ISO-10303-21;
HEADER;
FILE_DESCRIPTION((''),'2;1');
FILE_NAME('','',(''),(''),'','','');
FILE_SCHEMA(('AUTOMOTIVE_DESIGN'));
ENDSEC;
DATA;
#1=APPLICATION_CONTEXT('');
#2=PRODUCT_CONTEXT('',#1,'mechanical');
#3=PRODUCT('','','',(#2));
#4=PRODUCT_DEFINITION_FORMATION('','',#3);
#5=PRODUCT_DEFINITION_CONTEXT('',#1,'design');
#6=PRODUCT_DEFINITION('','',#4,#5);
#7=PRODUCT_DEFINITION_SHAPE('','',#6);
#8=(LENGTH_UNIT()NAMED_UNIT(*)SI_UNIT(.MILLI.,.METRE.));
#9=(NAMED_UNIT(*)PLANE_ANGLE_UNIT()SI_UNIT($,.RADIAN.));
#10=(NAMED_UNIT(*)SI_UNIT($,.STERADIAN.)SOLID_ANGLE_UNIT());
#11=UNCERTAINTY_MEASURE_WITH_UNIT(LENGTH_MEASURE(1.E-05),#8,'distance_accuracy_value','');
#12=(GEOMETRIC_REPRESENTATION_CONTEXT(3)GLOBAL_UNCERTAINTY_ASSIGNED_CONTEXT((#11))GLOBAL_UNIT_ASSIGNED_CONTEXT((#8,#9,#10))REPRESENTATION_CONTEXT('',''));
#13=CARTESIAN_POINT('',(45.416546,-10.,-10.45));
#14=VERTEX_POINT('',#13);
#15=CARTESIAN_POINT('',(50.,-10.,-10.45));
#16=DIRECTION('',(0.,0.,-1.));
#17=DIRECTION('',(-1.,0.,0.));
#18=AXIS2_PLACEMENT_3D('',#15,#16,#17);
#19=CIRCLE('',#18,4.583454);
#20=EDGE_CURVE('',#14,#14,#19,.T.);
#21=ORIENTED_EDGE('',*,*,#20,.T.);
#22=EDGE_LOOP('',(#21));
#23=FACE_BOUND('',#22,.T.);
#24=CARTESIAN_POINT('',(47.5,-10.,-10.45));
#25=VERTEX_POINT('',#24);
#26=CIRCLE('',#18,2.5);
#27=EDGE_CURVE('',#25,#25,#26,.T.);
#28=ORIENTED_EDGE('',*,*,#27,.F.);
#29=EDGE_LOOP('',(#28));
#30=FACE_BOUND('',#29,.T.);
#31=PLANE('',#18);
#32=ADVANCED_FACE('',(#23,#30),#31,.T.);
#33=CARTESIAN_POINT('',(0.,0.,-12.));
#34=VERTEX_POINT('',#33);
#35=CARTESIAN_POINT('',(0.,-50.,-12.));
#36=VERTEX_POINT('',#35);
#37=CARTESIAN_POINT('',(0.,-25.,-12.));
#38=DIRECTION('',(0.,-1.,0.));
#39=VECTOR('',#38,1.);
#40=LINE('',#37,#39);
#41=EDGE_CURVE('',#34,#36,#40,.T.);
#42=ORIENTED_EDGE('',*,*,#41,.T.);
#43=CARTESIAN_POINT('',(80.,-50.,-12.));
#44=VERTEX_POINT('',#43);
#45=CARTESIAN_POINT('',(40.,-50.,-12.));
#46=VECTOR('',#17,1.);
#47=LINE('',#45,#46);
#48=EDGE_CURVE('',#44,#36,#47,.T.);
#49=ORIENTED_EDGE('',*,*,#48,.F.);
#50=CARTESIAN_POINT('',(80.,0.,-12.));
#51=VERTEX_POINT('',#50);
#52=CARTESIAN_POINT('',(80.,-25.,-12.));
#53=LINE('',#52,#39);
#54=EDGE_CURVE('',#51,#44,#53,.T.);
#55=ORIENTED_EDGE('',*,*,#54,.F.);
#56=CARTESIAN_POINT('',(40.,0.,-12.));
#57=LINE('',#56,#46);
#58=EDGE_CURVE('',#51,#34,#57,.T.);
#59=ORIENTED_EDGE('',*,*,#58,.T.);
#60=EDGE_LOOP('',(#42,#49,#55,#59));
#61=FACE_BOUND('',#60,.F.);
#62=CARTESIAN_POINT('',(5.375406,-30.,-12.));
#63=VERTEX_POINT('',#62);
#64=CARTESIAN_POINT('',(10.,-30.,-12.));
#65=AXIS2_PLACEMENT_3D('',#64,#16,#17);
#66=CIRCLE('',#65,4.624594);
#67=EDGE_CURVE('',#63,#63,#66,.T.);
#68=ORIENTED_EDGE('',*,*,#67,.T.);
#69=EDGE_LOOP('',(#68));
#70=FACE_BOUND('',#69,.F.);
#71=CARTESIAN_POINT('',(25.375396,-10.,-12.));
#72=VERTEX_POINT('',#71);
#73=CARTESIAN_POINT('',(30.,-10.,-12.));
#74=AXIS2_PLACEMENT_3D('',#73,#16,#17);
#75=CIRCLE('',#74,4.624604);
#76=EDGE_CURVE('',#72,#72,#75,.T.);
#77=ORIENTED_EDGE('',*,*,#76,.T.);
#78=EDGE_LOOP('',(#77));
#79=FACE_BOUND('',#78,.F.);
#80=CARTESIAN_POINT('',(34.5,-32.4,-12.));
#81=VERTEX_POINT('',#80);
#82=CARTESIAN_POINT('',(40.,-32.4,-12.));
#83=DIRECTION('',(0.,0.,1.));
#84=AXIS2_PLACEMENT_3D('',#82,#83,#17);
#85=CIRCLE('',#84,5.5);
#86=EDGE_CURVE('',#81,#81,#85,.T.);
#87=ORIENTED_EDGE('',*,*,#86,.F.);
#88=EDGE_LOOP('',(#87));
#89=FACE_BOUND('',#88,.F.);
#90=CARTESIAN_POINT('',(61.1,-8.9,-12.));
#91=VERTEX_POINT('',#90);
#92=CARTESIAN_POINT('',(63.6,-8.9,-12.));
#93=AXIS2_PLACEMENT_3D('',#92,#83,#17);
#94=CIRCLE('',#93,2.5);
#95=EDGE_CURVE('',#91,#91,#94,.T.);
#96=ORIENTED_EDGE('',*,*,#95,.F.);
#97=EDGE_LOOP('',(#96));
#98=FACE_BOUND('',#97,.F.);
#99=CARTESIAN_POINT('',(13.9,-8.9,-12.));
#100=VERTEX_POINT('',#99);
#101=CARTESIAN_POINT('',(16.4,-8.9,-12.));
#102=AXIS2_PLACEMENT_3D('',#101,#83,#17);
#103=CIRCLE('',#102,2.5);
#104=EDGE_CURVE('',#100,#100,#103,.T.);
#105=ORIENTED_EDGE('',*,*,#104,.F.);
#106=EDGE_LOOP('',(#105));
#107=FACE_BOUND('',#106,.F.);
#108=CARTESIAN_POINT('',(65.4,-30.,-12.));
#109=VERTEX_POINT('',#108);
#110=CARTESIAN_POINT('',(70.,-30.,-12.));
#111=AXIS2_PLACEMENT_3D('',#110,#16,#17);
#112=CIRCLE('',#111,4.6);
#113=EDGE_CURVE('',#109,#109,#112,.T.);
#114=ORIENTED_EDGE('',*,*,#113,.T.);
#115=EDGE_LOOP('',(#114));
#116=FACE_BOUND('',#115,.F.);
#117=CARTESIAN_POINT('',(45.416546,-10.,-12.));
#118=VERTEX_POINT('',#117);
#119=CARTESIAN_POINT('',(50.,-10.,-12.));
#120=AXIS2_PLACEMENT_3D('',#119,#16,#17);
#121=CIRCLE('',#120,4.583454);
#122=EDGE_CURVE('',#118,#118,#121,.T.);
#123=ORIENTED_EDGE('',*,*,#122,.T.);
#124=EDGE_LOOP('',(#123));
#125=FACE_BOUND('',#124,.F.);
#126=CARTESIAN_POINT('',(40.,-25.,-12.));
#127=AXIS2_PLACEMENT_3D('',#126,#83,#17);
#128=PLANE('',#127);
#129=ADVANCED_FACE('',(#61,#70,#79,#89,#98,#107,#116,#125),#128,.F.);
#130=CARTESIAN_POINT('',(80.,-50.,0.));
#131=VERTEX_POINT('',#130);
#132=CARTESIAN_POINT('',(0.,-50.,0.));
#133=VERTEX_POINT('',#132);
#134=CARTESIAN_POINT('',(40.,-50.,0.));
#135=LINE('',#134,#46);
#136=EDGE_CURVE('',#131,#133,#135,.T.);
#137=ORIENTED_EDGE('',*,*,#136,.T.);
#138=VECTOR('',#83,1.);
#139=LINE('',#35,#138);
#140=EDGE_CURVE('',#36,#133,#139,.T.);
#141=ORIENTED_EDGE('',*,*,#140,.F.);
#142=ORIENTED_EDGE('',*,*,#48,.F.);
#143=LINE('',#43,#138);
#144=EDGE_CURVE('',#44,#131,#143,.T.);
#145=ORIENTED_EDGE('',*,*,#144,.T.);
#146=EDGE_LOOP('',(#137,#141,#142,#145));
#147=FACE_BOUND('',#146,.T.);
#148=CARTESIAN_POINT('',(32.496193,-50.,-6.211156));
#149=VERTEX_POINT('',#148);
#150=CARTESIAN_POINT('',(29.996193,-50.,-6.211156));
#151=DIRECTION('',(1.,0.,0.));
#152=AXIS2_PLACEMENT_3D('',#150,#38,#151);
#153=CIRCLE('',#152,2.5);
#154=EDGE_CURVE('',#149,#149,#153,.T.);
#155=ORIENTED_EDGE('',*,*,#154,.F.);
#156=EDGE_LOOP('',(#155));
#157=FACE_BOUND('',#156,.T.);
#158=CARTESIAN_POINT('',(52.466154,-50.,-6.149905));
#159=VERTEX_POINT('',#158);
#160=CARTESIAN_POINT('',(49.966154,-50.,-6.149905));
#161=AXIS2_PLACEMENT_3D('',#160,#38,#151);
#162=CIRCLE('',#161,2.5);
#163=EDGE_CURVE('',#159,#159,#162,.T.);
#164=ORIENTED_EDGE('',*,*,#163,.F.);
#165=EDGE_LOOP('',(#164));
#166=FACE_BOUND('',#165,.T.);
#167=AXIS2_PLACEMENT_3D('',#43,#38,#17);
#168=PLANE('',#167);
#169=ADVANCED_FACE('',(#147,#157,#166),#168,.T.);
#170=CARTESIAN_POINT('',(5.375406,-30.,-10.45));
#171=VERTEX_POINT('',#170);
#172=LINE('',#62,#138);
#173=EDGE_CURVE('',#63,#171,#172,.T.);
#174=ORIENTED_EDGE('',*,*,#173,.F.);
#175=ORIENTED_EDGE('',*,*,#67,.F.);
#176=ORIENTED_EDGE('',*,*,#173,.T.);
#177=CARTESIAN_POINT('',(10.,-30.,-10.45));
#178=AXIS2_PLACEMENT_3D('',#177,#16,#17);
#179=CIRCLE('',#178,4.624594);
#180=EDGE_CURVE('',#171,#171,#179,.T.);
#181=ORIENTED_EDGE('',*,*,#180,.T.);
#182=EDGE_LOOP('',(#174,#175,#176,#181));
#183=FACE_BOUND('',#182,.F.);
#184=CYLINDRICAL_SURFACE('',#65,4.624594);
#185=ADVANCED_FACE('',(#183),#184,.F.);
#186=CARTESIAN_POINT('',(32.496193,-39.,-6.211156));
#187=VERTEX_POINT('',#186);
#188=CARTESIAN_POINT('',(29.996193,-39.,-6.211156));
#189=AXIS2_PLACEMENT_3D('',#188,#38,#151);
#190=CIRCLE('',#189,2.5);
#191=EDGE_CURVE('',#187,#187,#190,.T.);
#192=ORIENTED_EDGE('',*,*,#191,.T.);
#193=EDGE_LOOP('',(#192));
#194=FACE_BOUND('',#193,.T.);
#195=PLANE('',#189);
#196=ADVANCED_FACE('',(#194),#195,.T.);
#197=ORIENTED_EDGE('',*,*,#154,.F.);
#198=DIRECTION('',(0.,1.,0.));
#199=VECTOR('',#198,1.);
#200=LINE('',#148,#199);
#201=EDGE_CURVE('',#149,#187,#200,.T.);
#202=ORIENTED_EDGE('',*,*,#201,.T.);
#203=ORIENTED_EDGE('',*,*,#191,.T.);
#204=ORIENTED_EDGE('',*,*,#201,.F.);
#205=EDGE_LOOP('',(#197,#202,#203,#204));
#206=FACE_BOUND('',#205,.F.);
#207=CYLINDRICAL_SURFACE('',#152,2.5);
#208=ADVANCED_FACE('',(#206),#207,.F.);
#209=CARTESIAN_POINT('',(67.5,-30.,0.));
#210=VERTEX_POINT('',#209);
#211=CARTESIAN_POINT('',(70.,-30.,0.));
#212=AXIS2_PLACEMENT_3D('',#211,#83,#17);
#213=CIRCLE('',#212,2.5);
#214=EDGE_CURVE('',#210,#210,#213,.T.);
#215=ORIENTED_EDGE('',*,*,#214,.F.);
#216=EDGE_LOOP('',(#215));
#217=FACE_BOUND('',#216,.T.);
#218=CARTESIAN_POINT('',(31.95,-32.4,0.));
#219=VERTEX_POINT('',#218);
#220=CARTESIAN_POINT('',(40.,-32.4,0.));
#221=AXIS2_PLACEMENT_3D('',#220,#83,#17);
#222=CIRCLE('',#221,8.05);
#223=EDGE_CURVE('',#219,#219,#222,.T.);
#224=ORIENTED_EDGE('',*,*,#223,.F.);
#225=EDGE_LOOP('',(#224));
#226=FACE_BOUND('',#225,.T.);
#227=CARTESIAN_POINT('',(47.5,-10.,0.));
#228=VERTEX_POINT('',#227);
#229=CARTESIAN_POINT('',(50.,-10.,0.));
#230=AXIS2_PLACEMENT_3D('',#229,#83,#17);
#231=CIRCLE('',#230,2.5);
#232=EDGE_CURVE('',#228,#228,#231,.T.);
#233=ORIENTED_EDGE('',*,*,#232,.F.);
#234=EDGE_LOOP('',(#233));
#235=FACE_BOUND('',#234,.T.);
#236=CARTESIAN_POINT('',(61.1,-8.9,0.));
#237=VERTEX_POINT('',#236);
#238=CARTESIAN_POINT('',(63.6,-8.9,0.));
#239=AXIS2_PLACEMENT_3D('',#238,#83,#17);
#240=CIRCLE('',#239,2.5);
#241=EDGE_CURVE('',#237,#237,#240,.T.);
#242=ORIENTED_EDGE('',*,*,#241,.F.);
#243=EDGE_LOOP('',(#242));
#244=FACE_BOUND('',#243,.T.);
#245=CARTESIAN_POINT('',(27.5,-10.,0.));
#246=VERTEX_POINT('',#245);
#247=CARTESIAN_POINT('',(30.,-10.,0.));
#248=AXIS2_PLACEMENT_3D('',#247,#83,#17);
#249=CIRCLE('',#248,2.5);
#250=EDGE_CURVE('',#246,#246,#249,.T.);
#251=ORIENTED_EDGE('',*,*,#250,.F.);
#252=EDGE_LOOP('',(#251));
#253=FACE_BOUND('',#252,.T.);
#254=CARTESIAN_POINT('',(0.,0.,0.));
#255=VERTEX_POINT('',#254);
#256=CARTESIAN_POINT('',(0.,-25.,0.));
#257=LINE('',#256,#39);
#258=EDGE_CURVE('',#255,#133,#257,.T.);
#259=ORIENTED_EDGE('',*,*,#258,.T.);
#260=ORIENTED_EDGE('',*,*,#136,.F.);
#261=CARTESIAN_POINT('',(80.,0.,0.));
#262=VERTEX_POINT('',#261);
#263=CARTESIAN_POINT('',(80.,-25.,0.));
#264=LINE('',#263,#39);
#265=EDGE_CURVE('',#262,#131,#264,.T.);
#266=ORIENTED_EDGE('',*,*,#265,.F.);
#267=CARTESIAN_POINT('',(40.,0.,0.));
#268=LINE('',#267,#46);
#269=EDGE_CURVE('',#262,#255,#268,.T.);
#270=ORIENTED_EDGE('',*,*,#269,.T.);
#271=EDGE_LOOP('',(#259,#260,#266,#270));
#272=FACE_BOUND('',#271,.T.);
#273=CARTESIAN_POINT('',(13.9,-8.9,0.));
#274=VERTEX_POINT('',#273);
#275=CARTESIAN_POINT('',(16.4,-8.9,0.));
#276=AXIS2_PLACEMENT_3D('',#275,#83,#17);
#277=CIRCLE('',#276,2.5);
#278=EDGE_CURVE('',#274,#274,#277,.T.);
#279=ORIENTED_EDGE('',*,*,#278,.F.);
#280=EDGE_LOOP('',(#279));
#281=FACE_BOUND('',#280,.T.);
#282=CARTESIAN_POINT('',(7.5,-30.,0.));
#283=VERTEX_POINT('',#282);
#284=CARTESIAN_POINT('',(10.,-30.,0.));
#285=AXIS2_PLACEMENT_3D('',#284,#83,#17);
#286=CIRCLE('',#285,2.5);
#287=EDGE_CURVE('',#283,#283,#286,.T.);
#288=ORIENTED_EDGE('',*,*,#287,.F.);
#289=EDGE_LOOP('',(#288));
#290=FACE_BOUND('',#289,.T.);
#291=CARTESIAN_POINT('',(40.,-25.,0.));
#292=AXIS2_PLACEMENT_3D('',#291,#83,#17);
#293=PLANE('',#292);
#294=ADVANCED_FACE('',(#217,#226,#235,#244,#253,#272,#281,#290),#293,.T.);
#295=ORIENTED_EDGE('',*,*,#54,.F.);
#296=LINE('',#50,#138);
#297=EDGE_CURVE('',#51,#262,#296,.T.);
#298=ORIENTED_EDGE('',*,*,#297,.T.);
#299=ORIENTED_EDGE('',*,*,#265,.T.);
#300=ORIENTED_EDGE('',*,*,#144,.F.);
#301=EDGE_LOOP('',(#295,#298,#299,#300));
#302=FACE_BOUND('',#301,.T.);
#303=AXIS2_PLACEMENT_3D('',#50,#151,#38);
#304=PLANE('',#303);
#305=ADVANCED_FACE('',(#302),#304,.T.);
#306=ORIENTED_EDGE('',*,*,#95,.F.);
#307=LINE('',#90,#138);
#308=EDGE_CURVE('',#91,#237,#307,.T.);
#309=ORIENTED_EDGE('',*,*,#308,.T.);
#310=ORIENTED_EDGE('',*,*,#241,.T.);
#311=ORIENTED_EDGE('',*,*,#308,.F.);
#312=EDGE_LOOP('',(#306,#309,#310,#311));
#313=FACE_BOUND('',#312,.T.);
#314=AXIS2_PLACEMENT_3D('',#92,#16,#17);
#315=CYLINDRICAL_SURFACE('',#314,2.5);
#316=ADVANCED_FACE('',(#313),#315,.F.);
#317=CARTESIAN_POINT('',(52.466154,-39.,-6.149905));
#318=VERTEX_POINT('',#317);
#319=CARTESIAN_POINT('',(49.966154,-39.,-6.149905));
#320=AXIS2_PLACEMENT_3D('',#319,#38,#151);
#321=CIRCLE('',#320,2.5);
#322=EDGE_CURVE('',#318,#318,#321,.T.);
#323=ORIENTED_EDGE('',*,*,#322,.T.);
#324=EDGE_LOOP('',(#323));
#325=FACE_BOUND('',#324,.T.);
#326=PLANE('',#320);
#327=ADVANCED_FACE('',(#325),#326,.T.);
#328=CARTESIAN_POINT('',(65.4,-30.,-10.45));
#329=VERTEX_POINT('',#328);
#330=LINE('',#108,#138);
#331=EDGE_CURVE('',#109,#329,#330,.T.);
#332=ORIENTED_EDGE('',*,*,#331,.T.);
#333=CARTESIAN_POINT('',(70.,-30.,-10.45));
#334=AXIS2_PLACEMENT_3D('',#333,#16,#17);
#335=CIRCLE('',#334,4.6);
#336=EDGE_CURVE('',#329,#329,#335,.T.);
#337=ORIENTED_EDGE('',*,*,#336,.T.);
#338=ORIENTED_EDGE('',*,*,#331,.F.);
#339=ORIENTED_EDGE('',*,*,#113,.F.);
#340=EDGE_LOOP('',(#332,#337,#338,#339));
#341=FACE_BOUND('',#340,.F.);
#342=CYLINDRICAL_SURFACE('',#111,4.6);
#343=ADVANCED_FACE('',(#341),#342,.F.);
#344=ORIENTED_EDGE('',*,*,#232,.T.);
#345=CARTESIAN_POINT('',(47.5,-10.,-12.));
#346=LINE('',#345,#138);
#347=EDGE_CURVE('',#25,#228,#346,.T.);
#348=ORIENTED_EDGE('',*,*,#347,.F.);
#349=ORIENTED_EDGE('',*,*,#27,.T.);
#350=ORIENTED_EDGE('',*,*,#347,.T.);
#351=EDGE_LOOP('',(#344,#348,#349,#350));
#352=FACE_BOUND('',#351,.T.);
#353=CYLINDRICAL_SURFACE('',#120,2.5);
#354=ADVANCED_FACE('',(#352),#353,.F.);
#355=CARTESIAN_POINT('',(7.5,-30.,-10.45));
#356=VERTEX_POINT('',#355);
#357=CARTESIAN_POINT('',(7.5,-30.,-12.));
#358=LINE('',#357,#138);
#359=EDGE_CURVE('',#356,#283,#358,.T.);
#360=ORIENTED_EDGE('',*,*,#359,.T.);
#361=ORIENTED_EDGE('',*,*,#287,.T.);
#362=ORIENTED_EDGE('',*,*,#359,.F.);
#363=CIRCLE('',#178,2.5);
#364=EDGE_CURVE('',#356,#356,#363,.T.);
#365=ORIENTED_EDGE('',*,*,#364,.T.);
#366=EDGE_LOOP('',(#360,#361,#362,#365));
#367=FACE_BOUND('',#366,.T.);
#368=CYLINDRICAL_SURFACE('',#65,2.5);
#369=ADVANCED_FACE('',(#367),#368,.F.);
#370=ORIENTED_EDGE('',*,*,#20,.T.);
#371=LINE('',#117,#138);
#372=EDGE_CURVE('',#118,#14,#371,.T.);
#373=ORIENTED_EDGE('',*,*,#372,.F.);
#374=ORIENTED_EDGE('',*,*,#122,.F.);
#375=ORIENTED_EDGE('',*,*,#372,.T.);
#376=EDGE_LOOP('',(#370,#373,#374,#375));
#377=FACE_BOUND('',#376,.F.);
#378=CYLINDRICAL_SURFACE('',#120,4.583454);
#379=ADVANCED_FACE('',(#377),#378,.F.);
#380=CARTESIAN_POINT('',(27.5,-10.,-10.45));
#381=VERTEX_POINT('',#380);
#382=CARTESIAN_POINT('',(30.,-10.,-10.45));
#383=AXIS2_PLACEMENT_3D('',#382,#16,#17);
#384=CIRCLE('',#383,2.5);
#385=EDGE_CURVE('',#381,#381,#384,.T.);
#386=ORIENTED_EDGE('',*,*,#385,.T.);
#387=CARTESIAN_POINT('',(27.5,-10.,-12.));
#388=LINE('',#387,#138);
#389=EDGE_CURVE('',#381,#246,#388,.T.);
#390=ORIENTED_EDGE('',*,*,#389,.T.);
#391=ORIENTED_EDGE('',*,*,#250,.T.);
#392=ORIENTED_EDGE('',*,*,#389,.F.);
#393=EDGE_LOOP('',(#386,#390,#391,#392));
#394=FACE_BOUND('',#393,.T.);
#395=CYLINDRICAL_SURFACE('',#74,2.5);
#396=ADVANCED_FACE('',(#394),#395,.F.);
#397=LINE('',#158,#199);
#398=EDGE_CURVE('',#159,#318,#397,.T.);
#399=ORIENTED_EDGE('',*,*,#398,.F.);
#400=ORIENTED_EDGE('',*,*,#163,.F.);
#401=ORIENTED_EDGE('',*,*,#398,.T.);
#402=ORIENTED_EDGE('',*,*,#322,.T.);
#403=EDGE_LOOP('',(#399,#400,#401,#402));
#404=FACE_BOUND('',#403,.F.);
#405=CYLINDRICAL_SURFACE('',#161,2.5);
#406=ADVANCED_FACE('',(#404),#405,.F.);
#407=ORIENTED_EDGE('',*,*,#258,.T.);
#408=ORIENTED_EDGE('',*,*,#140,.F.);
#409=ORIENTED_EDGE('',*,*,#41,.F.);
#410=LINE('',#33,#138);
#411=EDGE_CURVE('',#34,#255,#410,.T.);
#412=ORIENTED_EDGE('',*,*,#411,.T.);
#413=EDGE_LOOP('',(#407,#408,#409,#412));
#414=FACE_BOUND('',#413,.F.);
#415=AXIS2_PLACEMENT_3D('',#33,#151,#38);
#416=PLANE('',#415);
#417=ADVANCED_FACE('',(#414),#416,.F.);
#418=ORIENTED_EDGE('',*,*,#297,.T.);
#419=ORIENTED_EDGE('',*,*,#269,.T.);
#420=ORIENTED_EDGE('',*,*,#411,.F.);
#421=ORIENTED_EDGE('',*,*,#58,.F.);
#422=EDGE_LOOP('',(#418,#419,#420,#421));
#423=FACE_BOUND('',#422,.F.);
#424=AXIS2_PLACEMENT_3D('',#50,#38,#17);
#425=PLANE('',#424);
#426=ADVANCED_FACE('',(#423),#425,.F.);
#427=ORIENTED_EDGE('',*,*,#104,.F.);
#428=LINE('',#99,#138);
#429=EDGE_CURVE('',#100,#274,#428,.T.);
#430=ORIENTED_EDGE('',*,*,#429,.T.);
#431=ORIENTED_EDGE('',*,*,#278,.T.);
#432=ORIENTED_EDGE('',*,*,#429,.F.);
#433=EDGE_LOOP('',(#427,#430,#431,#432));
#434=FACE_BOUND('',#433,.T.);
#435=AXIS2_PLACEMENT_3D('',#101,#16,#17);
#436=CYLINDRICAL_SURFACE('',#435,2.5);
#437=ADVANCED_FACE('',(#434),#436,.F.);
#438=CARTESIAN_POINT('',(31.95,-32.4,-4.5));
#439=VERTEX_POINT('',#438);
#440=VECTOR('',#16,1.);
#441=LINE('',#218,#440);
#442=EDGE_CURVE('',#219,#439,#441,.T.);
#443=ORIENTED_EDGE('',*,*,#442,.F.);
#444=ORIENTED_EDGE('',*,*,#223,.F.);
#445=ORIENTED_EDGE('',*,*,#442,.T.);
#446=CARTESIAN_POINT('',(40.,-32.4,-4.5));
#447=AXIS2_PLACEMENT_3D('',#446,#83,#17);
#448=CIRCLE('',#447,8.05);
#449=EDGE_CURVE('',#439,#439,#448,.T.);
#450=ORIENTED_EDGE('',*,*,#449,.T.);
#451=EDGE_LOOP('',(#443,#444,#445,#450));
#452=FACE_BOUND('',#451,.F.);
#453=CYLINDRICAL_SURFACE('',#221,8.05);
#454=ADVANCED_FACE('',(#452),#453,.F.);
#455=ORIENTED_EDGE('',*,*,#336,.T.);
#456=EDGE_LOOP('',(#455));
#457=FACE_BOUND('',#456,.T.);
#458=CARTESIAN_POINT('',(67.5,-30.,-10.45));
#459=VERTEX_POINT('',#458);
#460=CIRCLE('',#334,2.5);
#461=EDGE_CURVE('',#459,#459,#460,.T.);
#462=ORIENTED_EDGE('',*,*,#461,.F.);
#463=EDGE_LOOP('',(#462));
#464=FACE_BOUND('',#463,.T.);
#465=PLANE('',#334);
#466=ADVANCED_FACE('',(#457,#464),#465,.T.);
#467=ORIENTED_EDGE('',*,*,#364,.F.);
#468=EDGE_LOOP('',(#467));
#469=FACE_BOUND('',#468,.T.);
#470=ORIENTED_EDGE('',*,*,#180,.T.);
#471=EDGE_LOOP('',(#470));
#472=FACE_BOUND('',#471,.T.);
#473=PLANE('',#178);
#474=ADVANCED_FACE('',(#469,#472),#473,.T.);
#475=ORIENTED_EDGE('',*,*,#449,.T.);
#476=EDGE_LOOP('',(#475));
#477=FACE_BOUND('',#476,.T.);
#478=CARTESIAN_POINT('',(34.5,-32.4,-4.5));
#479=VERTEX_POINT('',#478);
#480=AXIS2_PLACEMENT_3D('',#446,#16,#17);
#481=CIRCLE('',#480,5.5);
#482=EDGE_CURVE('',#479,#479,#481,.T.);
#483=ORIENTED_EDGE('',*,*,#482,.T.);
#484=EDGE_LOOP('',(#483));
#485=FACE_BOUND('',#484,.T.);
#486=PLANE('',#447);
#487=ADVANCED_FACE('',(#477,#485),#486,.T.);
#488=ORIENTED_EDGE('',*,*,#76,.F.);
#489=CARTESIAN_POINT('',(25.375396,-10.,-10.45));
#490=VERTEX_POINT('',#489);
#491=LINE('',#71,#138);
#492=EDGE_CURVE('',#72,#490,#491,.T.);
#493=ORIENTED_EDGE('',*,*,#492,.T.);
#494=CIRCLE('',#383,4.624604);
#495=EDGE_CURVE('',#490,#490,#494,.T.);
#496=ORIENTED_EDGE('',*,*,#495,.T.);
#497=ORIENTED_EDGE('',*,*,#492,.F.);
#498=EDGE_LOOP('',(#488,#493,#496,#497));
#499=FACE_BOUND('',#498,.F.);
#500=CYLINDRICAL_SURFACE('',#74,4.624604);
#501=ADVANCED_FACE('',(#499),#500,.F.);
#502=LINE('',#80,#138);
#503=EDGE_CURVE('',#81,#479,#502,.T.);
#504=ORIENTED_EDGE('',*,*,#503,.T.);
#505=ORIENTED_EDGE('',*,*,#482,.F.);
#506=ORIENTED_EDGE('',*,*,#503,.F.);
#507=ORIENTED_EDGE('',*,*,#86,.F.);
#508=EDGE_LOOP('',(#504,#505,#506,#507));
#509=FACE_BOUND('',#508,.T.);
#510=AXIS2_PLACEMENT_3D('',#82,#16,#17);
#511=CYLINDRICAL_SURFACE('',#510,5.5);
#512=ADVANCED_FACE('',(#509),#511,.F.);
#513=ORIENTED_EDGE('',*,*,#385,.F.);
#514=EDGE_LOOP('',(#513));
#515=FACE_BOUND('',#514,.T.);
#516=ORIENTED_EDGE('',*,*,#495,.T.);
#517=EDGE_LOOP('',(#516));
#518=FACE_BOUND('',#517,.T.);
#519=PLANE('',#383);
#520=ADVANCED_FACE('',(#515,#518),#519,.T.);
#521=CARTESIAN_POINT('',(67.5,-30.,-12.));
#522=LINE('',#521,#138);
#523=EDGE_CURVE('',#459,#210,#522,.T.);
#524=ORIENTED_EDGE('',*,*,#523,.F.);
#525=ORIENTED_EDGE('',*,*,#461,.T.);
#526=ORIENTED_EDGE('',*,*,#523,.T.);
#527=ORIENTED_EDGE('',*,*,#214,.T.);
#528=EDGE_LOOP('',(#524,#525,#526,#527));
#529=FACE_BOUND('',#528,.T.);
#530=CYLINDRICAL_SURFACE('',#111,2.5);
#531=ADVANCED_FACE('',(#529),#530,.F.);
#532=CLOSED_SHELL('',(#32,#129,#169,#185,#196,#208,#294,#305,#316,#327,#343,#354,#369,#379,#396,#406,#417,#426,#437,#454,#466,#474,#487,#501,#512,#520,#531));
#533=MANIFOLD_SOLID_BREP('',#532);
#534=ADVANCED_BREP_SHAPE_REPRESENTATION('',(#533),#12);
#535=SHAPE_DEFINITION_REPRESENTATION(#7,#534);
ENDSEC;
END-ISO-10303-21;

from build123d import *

# Parameters (mm, degrees)
SKETCH019_W     = 80
SKETCH019_H     = 50
SKETCH019_R     = 2.5
SKETCH019_R_2   = 5.5
PAD004_DEPTH    = 12
SKETCH020_R     = 2.5
POCKET012_DEPTH = 11
SKETCH021_R     = 8.05
POCKET013_DEPTH = 4.5
SKETCH022_R     = 4.6
SKETCH022_R_2   = 4.624594
SKETCH022_R_3   = 4.583454
SKETCH022_R_4   = 4.624604
POCKET014_DEPTH = 1.55


with BuildPart() as part:
    # Sketch019 → Pad004 (new body)
    with BuildSketch(Plane(origin=(80, 0, -12), x_dir=(-1, 0, 0), z_dir=(0, 0, 1))):
        with Locations((40, 25)):
            Rectangle(SKETCH019_W, SKETCH019_H)
        with Locations((10, 30)):
            Circle(SKETCH019_R, mode=Mode.SUBTRACT)
        with Locations((30, 10)):
            Circle(SKETCH019_R, mode=Mode.SUBTRACT)
        with Locations((16.4, 8.9)):
            Circle(SKETCH019_R, mode=Mode.SUBTRACT)
        with Locations((50, 10)):
            Circle(SKETCH019_R, mode=Mode.SUBTRACT)
        with Locations((63.6, 8.9)):
            Circle(SKETCH019_R, mode=Mode.SUBTRACT)
        with Locations((70, 30)):
            Circle(SKETCH019_R, mode=Mode.SUBTRACT)
        with Locations((40, 32.4)):
            Circle(SKETCH019_R_2, mode=Mode.SUBTRACT)
    extrude(amount=PAD004_DEPTH)

    # Sketch020 → Pocket012 (cut)
    with BuildSketch(Plane(origin=(80, -50, -12), x_dir=(1, 0, 0), z_dir=(0, -1, 0))):
        with Locations((-30.033846, 5.850095)):
            Circle(SKETCH020_R)
        with Locations((-50.003807, 5.788844)):
            Circle(SKETCH020_R)
    extrude(amount=-POCKET012_DEPTH, mode=Mode.SUBTRACT)

    # Sketch021 → Pocket013 (cut)
    with BuildSketch(Plane(origin=(80, 0, 0), x_dir=(-1, 0, 0), z_dir=(0, 0, 1))):
        with Locations((40, 32.4)):
            Circle(SKETCH021_R)
    extrude(amount=-POCKET013_DEPTH, mode=Mode.SUBTRACT)

    # Sketch022 → Pocket014 (cut)
    with BuildSketch(Plane(origin=(80, 0, -12), x_dir=(-1, 0, 0), z_dir=(0, 0, -1))):
        with Locations((10, -30)):
            Circle(SKETCH022_R)
        with Locations((70, -30)):
            Circle(SKETCH022_R_2)
        with Locations((30, -10)):
            Circle(SKETCH022_R_3)
        with Locations((50, -10)):
            Circle(SKETCH022_R_4)
    extrude(amount=-POCKET014_DEPTH, mode=Mode.SUBTRACT)


solid = part.part
